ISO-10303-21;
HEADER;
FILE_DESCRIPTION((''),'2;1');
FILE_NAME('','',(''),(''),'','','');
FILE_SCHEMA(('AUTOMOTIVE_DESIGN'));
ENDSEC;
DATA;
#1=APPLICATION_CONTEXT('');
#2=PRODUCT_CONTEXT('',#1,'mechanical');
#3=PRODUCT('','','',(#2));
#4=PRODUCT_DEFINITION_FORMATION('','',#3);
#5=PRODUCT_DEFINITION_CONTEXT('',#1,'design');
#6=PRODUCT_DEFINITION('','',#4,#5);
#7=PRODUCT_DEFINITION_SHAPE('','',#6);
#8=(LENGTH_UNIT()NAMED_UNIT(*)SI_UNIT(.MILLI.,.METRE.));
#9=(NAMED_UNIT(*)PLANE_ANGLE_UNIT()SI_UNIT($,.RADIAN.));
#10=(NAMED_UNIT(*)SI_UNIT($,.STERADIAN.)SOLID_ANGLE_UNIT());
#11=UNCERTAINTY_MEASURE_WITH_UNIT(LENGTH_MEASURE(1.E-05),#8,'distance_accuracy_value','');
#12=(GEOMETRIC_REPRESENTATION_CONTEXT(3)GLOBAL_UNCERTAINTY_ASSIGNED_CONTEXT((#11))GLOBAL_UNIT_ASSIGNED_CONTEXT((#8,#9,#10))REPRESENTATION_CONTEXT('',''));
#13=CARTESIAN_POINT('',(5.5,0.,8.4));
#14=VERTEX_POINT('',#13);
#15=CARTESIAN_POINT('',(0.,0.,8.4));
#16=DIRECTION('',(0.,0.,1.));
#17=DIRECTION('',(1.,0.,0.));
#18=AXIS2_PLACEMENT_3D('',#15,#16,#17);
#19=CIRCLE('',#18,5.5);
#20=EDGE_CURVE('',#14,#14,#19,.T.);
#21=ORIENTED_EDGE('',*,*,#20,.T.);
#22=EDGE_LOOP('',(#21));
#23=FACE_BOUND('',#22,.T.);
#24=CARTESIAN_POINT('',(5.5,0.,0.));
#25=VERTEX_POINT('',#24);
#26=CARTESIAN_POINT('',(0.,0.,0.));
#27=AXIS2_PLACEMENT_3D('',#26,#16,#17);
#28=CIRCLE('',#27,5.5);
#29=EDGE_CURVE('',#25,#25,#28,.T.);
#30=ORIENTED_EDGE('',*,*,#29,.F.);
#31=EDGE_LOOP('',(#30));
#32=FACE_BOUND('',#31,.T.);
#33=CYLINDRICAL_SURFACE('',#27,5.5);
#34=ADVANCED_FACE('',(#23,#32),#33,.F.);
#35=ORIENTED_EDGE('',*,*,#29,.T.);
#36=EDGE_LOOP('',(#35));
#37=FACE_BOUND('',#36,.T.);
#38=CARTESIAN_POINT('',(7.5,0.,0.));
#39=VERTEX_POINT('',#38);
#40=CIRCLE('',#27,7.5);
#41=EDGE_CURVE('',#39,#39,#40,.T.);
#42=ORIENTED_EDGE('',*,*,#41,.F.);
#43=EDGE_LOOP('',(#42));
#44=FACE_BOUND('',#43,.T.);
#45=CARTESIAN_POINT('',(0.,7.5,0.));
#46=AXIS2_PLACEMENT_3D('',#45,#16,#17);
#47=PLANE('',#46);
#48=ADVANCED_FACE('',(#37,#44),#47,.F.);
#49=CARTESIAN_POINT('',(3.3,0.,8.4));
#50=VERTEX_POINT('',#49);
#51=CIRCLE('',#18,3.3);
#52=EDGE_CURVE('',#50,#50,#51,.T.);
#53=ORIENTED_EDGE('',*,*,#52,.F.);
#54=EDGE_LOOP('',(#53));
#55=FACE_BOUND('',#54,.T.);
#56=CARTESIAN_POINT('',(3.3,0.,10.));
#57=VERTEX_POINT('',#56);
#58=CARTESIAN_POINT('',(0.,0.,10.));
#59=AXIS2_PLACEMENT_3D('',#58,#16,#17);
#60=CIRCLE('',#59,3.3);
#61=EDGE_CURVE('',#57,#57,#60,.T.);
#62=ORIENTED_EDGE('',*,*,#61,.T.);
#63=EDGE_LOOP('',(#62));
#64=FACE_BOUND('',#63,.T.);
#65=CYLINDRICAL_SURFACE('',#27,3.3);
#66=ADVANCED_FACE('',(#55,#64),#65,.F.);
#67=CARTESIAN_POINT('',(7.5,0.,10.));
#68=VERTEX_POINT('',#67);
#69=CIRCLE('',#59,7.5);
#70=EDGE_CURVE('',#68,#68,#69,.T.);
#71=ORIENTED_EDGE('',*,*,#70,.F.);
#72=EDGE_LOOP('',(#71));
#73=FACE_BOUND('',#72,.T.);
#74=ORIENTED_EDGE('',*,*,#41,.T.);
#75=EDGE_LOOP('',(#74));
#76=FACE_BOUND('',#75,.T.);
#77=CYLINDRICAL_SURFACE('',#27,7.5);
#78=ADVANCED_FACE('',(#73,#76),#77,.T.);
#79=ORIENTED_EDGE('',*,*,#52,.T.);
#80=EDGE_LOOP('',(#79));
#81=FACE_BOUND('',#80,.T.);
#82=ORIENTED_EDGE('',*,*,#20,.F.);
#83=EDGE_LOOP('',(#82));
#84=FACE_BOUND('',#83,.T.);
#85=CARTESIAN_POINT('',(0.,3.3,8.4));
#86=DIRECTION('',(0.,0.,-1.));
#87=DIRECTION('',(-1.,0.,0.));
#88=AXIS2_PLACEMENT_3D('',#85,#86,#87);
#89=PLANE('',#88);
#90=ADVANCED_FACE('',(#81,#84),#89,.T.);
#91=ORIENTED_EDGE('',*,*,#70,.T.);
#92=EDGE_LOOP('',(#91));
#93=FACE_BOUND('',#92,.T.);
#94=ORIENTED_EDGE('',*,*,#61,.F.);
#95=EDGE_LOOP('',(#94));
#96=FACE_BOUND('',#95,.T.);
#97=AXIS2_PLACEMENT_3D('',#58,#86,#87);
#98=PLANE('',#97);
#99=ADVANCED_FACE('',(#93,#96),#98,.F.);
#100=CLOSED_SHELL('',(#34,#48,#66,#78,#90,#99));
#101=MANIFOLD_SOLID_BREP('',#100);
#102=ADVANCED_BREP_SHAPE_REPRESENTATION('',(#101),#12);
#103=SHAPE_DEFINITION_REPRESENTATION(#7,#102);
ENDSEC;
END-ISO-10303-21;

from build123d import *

# Parameters (mm, degrees)
SZKIC1_W                    = 10
SZKIC1_H                    = 7.5
SZKIC3_R                    = 5.625
DODANIE_WYCI_GNI_CIE1_DEPTH = 3.75


with BuildPart() as part:
    # Szkic1 → Obrót1 (revolve)
    with BuildSketch(Plane(origin=(0, 0, 0), x_dir=(0, 0, -1), z_dir=(1, 0, 0)), mode=Mode.PRIVATE) as obr_t1_sk:
        with Locations((-5, 3.75)):
            Rectangle(SZKIC1_W, SZKIC1_H)
    revolve(obr_t1_sk.sketch.rotate(Axis((0, 0, 0), (0, 0, 1)), 270), axis=Axis((0, 0, 0), (0, 0, 1)))

    # Szkic2 → Wycięcie-obrót1 (revolve, cut)
    with BuildSketch(Plane(origin=(0, 0, 0), x_dir=(0, 0, -1), z_dir=(1, 0, 0)), mode=Mode.PRIVATE) as wyci_cie_obr_t1_sk:
        Polygon((-10, 0), (-10, 3.3), (-8.4, 3.3), (-8.4, 5.5), (0, 5.5), (0, 0), align=None)
    revolve(wyci_cie_obr_t1_sk.sketch.rotate(Axis((0, 0, 0), (0, 0, 1)), 270), axis=Axis((0, 0, 0), (0, 0, 1)), mode=Mode.SUBTRACT)


with BuildPart() as body_2:
    # Szkic3 → Dodanie-wyciągnięcie1 (new body)
    with BuildSketch(Plane(origin=(0, 0, 0), x_dir=(0, 0, -1), z_dir=(1, 0, 0))):
        Circle(SZKIC3_R)
    extrude(amount=DODANIE_WYCI_GNI_CIE1_DEPTH)

    # Usuń ścianę1: 1 face struck out; the rest of the skin is kept as a surface, the solid goes
    usu_cian_1_1_drop = [body_2.part.faces().sort_by_distance(Vector(p))[0] for p in ((3.75, 0, 0),)]
    usu_cian_1_1 = Shell(body_2.part.faces() - usu_cian_1_1_drop)


solid = part.part
